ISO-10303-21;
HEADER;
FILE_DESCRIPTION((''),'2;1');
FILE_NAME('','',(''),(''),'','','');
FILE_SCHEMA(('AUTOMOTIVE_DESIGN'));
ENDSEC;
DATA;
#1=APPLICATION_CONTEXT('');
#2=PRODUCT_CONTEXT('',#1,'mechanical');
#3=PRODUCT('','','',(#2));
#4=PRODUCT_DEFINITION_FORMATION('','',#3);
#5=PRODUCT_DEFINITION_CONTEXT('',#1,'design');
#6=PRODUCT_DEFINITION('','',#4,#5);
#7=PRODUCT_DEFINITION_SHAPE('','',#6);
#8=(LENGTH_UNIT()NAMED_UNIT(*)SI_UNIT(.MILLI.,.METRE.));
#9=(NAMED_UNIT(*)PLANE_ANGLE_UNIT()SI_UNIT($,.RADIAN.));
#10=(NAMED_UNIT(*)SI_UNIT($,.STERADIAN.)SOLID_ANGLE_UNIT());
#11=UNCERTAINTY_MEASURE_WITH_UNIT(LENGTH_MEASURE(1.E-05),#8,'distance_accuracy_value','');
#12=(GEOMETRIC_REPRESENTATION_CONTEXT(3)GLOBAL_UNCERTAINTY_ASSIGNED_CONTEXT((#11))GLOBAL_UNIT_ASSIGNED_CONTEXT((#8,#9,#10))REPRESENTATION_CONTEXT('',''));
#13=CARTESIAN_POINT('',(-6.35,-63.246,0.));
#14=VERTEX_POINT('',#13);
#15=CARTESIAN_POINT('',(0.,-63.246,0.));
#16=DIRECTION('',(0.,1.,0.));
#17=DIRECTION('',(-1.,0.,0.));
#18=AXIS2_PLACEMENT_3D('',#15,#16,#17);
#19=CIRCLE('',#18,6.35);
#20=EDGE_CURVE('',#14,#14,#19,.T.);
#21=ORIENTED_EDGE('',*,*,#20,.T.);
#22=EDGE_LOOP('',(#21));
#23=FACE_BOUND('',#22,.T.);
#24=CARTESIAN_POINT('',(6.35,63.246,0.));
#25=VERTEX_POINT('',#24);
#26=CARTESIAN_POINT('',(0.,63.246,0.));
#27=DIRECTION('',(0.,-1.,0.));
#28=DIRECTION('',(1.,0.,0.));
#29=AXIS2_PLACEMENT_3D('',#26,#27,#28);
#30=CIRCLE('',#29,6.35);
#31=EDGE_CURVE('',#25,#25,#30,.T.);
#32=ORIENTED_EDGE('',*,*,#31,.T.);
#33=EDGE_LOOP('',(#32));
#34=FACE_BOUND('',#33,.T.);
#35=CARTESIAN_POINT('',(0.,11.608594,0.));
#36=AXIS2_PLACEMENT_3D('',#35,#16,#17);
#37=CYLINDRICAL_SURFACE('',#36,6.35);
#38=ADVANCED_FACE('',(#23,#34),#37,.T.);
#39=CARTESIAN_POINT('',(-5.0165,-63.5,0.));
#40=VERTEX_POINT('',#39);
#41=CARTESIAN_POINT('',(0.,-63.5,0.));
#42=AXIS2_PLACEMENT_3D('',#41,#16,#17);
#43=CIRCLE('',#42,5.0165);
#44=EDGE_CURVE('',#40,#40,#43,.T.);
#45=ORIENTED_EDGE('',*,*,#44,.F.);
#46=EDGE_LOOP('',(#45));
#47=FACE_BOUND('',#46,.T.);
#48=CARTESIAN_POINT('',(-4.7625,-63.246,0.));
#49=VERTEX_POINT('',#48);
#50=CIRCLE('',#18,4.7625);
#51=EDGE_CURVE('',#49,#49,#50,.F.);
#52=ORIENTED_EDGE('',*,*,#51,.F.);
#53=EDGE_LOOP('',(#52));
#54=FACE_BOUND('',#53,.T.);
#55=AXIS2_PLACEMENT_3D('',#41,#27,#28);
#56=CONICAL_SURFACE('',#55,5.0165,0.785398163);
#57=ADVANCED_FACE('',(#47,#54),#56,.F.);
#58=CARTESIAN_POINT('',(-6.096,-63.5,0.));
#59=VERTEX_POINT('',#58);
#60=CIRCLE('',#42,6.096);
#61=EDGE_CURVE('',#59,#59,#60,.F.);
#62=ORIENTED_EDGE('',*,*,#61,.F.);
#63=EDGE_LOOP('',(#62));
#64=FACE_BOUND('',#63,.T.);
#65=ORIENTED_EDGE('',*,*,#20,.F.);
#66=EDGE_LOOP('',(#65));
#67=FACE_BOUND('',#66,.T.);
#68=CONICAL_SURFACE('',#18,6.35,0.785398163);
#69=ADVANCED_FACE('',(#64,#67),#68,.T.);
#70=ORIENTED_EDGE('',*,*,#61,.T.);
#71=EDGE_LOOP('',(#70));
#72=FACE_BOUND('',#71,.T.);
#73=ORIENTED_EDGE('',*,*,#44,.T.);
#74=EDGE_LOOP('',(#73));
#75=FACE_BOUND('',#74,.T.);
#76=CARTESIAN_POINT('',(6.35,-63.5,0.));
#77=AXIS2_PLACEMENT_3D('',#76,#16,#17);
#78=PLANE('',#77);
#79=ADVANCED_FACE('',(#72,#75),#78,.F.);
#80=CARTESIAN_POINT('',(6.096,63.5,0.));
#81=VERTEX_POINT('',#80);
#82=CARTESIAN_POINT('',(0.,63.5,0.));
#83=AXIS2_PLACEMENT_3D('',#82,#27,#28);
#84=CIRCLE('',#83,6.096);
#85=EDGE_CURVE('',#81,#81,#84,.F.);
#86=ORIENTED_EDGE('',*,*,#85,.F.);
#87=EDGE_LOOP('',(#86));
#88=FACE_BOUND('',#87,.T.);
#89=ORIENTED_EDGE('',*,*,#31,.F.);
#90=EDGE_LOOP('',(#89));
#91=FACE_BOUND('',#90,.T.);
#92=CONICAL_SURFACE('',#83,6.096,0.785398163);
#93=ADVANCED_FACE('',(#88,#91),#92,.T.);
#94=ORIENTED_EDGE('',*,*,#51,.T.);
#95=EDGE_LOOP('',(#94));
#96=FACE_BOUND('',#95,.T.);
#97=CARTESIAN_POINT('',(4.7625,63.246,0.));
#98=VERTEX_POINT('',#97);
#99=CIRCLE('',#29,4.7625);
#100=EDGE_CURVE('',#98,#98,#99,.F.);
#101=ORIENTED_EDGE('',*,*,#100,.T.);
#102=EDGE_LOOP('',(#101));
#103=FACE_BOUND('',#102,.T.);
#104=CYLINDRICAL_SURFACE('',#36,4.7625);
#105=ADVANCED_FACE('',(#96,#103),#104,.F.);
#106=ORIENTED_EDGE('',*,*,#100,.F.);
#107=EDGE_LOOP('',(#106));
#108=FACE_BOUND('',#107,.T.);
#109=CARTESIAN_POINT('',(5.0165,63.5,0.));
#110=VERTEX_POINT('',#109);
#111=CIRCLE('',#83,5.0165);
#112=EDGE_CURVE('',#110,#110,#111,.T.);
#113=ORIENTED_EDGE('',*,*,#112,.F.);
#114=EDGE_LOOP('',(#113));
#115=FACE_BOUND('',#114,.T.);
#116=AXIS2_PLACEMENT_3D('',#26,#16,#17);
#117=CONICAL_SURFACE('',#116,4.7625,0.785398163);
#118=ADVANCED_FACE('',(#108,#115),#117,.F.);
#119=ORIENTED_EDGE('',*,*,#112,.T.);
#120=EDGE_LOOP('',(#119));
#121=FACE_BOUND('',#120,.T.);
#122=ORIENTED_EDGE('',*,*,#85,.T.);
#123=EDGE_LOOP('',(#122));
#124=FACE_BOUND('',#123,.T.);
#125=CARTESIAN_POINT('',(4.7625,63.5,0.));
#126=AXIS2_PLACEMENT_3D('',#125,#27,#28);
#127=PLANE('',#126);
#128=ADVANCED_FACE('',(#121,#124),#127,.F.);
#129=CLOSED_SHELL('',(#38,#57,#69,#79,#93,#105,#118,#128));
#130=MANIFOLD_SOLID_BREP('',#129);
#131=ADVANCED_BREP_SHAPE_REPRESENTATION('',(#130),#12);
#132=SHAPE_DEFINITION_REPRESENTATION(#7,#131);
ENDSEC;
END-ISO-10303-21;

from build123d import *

# Parameters (mm, degrees)
SKETCH1_W     = 1.5875
SKETCH1_H     = 127
CHAMFER1_SIZE = 0.254


with BuildPart() as part:
    # Sketch1 → Revolve1 (revolve)
    with BuildSketch(Plane.XY):
        with Locations((5.55625, 0)):
            Rectangle(SKETCH1_W, SKETCH1_H)
    revolve(axis=Axis((0, 11.60859375, 0), (0, -1, 0)))

    # Chamfer1
    chamfer1_edges = [part.edges().sort_by_distance(p)[0] for p in [
        (-4.7625, -63.5, 0),
        (-6.35, -63.5, 0),
        (-6.35, 63.5, 0),
        (-4.7625, 63.5, 0),
    ]]
    chamfer(chamfer1_edges, length=CHAMFER1_SIZE)


solid = part.part
